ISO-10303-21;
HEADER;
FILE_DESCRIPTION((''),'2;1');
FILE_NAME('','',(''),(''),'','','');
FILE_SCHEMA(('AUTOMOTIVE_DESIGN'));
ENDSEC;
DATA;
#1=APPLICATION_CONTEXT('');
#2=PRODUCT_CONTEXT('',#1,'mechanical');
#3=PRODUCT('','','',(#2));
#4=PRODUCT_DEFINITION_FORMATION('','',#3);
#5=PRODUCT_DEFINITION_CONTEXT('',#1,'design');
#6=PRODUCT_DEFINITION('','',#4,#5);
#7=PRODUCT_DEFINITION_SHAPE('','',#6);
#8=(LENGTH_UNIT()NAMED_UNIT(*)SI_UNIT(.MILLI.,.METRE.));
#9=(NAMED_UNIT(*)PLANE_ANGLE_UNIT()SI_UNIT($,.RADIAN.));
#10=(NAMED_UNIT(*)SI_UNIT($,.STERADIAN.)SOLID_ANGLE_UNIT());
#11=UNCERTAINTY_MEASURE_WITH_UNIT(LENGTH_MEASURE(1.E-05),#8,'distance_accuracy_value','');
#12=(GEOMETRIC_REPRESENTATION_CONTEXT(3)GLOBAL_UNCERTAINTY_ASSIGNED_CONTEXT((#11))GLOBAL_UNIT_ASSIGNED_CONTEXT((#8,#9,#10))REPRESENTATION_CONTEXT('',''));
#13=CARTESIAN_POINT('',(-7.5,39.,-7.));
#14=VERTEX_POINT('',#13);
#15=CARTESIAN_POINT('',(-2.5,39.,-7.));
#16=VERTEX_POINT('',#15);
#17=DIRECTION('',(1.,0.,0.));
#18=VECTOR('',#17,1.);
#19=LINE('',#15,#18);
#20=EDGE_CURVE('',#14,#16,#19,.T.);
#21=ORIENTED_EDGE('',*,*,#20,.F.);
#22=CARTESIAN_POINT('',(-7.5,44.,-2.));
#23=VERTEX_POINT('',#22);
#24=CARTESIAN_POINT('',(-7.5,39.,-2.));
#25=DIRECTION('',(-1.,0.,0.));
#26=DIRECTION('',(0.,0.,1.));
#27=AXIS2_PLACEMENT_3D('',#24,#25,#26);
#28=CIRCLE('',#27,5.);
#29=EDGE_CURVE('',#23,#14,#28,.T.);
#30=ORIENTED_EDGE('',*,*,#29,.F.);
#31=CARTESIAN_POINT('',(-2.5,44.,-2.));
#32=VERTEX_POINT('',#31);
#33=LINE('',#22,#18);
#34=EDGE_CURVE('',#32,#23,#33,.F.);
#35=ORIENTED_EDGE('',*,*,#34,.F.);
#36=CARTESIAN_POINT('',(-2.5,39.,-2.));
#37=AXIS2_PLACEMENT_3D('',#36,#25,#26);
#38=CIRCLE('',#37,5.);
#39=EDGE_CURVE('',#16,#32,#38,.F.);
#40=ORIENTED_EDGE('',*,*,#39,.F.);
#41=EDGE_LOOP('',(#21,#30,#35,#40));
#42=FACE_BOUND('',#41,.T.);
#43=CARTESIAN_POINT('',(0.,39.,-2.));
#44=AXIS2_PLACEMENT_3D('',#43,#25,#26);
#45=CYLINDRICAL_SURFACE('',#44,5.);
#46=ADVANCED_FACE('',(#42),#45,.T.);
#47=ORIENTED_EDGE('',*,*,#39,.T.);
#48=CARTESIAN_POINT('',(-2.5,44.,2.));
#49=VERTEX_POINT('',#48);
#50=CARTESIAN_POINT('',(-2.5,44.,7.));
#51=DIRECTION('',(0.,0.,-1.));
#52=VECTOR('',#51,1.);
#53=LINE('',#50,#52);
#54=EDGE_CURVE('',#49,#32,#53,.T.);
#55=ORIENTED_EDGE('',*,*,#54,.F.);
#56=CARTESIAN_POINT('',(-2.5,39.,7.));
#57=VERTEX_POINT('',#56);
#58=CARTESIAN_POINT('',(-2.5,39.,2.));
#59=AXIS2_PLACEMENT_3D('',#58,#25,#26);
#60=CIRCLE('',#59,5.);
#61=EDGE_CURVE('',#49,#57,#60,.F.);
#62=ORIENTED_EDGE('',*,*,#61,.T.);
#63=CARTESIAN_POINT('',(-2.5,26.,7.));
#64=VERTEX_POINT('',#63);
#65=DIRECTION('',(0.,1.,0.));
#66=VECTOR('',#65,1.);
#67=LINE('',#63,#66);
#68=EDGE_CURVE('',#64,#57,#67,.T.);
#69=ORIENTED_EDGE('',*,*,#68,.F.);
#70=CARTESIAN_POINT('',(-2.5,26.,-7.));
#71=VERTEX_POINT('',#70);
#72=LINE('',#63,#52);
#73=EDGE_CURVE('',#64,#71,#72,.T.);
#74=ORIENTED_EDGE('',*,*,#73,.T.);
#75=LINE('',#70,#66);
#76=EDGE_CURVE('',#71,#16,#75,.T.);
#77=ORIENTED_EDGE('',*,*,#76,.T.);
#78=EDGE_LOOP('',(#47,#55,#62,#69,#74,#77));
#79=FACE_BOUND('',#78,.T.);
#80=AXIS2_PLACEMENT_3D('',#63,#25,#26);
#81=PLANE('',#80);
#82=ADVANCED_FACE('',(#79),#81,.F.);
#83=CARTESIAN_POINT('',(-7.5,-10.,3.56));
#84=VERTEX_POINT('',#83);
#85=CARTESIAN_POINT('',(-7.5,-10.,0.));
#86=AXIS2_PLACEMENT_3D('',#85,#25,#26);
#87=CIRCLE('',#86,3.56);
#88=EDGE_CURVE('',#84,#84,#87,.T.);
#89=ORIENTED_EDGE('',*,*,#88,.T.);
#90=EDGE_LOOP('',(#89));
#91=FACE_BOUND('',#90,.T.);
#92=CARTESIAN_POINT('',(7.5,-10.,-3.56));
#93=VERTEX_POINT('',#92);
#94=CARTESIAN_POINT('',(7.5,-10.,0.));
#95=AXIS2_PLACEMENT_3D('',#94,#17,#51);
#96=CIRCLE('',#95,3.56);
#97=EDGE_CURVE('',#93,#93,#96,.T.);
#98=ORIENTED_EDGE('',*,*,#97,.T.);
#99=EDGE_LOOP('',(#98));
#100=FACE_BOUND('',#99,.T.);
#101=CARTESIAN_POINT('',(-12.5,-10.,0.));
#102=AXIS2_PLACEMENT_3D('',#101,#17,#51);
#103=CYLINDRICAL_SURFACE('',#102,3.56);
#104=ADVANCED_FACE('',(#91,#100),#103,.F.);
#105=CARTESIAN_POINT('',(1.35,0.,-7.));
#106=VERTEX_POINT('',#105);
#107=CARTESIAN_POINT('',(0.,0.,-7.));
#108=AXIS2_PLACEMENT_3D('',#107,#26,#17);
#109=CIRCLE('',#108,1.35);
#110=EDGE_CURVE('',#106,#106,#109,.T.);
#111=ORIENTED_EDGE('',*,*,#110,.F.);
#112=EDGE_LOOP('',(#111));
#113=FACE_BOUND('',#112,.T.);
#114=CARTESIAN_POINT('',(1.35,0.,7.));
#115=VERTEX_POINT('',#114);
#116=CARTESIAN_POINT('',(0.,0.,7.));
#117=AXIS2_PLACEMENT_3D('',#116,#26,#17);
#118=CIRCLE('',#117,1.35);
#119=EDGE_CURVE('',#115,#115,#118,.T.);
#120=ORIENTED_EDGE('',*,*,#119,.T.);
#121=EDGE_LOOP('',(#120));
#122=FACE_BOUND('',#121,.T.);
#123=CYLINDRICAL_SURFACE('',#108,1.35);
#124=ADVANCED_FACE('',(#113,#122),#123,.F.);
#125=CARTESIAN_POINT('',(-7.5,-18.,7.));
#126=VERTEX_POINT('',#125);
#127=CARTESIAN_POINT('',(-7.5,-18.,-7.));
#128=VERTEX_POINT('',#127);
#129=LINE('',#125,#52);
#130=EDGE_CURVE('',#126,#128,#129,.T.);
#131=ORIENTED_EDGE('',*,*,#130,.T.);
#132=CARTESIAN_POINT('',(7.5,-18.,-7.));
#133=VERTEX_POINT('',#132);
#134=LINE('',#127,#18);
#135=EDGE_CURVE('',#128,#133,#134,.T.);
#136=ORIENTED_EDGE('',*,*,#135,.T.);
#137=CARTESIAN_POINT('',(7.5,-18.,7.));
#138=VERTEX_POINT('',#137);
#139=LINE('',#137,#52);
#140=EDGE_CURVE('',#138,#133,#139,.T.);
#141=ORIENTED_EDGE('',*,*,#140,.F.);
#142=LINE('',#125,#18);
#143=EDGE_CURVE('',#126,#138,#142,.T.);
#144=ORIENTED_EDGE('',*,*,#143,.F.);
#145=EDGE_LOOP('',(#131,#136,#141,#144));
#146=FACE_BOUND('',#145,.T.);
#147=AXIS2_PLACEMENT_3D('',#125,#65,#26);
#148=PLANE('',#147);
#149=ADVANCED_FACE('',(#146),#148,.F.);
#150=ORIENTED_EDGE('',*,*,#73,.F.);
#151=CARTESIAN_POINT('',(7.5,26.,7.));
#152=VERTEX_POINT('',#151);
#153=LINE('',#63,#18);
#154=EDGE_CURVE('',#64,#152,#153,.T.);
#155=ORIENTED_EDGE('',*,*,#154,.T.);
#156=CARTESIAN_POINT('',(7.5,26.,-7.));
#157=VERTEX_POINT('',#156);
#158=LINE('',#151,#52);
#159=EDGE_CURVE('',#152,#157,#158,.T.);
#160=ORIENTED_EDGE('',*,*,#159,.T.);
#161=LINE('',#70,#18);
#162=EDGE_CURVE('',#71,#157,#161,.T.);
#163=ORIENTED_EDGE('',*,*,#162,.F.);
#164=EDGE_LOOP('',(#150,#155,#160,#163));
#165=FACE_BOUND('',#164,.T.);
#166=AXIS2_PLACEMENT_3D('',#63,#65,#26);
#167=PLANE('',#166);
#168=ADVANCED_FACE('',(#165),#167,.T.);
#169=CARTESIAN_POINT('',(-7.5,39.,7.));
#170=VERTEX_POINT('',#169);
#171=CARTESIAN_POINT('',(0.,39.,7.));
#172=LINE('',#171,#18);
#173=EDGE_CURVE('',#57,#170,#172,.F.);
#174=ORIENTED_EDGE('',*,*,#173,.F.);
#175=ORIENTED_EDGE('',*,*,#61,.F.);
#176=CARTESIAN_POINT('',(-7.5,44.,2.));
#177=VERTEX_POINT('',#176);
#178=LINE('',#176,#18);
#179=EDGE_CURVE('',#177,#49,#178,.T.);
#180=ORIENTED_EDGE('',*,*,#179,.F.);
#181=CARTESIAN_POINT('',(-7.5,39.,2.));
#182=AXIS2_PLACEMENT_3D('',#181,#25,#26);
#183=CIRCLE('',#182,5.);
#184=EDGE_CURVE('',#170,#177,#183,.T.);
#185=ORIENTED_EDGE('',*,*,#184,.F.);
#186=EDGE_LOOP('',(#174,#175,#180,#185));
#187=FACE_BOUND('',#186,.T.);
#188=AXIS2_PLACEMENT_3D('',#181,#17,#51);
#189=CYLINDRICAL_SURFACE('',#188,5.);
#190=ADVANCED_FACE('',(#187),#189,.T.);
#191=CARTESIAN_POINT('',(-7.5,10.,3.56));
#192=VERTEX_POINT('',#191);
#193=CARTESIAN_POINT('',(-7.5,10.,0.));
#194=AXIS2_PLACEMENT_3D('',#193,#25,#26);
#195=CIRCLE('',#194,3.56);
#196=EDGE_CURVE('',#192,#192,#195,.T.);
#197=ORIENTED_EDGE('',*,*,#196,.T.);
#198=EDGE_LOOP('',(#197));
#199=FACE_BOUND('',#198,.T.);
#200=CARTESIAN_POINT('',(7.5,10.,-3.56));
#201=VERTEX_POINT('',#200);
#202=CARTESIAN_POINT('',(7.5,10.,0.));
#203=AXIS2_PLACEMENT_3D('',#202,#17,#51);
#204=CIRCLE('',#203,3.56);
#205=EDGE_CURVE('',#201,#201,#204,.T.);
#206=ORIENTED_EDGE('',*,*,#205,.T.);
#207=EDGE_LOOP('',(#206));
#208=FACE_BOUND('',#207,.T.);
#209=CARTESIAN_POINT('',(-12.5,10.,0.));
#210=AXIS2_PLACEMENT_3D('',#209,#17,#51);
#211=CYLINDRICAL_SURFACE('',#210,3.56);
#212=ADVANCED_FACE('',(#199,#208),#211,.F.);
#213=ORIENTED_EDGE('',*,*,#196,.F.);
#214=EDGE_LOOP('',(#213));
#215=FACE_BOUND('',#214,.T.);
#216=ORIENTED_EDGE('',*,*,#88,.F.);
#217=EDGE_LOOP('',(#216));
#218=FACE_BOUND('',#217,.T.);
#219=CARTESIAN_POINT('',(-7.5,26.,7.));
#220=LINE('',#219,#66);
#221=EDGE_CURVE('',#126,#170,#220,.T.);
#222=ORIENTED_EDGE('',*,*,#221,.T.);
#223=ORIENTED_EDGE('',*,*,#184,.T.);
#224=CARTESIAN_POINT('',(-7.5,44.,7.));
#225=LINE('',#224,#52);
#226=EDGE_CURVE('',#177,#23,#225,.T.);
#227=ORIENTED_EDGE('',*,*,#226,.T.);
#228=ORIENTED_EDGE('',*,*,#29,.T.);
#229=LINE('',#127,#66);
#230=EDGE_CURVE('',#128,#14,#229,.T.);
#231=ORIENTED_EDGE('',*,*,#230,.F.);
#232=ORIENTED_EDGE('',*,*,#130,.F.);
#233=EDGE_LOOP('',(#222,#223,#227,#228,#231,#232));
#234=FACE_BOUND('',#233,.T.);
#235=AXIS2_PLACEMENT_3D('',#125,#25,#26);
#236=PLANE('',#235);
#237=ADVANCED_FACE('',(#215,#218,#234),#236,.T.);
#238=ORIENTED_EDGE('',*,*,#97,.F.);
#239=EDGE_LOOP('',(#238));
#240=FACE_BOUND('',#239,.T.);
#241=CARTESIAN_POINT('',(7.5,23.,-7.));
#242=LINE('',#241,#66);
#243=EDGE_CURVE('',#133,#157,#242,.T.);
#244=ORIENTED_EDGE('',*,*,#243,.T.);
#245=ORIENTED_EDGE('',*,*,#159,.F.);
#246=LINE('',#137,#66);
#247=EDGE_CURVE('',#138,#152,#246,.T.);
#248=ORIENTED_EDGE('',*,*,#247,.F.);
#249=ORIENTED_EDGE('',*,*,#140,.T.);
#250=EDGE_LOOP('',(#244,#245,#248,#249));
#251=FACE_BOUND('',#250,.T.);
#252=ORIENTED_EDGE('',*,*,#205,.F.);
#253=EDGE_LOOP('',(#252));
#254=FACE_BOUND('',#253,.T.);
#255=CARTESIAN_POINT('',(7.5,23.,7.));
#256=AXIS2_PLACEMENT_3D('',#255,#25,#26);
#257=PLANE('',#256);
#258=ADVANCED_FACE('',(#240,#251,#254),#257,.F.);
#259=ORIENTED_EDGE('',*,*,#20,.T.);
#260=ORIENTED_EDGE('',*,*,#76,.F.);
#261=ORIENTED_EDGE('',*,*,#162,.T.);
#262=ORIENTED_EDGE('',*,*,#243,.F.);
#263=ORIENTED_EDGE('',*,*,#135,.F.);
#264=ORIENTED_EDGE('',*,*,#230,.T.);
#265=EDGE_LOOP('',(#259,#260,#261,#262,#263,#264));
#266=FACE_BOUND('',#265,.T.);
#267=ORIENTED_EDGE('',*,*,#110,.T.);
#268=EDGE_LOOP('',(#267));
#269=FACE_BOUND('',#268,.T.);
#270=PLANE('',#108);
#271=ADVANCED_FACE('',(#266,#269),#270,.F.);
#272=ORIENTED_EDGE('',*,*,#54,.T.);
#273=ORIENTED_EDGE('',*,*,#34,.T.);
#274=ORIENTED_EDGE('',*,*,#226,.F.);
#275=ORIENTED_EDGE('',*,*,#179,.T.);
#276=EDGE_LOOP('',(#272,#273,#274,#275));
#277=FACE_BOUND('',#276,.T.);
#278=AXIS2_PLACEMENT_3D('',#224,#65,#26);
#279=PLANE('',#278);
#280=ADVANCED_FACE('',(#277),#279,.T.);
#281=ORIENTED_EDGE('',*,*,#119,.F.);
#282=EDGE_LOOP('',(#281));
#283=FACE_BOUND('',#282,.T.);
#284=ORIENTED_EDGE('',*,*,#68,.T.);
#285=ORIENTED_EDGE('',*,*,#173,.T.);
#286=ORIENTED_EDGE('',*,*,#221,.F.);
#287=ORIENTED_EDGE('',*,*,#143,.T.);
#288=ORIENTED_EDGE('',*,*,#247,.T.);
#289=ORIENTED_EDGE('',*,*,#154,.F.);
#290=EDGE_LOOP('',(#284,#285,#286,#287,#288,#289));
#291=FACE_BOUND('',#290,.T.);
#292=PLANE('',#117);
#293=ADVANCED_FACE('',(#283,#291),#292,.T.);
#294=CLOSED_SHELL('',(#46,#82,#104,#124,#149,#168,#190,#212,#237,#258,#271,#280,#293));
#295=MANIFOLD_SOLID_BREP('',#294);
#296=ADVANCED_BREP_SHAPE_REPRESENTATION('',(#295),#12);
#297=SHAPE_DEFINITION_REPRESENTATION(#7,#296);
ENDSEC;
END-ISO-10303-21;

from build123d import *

# Parameters (mm, degrees)
EXTRUDE_1_DEPTH     = 7
SKETCH_3_R          = 3.56
CUT_EXTRUDE_1_DEPTH = 20
SKETCH_4_R          = 1.35
CUT_EXTRUDE_2_DEPTH = 14
FILLET_1_R          = 5


with BuildPart() as part:
    # 草图1 → 凸台-拉伸1 (new, symmetric)
    with BuildSketch(Plane.XY):
        Polygon((-7.5, -18), (7.5, -18), (7.5, 23), (7.5, 26), (-2.5, 26), (-2.5, 44), (-7.5, 44), (-7.5, 26), (-7.5, 21), align=None)
    extrude(amount=EXTRUDE_1_DEPTH, both=True)

    # 草图3 → 切除-拉伸1 (cut)
    with BuildSketch(Plane(origin=(7.5, 0, 0), x_dir=(0, 0, -1), z_dir=(1, 0, 0))):
        with Locations((0, -10)):
            Circle(SKETCH_3_R)
        with Locations((0, 10)):
            Circle(SKETCH_3_R)
    extrude(amount=-CUT_EXTRUDE_1_DEPTH, mode=Mode.SUBTRACT)

    # 草图4 → 切除-拉伸2 (cut)
    with BuildSketch(Plane.XY.offset(7)):
        Circle(SKETCH_4_R)
    extrude(amount=-CUT_EXTRUDE_2_DEPTH, mode=Mode.SUBTRACT)

    # 圆角1
    fillet_1_edges = [part.edges().sort_by_distance(p)[0] for p in [
        (-5, 44, 7),
        (-5, 44, -7),
    ]]
    fillet(fillet_1_edges, radius=FILLET_1_R)


solid = part.part
